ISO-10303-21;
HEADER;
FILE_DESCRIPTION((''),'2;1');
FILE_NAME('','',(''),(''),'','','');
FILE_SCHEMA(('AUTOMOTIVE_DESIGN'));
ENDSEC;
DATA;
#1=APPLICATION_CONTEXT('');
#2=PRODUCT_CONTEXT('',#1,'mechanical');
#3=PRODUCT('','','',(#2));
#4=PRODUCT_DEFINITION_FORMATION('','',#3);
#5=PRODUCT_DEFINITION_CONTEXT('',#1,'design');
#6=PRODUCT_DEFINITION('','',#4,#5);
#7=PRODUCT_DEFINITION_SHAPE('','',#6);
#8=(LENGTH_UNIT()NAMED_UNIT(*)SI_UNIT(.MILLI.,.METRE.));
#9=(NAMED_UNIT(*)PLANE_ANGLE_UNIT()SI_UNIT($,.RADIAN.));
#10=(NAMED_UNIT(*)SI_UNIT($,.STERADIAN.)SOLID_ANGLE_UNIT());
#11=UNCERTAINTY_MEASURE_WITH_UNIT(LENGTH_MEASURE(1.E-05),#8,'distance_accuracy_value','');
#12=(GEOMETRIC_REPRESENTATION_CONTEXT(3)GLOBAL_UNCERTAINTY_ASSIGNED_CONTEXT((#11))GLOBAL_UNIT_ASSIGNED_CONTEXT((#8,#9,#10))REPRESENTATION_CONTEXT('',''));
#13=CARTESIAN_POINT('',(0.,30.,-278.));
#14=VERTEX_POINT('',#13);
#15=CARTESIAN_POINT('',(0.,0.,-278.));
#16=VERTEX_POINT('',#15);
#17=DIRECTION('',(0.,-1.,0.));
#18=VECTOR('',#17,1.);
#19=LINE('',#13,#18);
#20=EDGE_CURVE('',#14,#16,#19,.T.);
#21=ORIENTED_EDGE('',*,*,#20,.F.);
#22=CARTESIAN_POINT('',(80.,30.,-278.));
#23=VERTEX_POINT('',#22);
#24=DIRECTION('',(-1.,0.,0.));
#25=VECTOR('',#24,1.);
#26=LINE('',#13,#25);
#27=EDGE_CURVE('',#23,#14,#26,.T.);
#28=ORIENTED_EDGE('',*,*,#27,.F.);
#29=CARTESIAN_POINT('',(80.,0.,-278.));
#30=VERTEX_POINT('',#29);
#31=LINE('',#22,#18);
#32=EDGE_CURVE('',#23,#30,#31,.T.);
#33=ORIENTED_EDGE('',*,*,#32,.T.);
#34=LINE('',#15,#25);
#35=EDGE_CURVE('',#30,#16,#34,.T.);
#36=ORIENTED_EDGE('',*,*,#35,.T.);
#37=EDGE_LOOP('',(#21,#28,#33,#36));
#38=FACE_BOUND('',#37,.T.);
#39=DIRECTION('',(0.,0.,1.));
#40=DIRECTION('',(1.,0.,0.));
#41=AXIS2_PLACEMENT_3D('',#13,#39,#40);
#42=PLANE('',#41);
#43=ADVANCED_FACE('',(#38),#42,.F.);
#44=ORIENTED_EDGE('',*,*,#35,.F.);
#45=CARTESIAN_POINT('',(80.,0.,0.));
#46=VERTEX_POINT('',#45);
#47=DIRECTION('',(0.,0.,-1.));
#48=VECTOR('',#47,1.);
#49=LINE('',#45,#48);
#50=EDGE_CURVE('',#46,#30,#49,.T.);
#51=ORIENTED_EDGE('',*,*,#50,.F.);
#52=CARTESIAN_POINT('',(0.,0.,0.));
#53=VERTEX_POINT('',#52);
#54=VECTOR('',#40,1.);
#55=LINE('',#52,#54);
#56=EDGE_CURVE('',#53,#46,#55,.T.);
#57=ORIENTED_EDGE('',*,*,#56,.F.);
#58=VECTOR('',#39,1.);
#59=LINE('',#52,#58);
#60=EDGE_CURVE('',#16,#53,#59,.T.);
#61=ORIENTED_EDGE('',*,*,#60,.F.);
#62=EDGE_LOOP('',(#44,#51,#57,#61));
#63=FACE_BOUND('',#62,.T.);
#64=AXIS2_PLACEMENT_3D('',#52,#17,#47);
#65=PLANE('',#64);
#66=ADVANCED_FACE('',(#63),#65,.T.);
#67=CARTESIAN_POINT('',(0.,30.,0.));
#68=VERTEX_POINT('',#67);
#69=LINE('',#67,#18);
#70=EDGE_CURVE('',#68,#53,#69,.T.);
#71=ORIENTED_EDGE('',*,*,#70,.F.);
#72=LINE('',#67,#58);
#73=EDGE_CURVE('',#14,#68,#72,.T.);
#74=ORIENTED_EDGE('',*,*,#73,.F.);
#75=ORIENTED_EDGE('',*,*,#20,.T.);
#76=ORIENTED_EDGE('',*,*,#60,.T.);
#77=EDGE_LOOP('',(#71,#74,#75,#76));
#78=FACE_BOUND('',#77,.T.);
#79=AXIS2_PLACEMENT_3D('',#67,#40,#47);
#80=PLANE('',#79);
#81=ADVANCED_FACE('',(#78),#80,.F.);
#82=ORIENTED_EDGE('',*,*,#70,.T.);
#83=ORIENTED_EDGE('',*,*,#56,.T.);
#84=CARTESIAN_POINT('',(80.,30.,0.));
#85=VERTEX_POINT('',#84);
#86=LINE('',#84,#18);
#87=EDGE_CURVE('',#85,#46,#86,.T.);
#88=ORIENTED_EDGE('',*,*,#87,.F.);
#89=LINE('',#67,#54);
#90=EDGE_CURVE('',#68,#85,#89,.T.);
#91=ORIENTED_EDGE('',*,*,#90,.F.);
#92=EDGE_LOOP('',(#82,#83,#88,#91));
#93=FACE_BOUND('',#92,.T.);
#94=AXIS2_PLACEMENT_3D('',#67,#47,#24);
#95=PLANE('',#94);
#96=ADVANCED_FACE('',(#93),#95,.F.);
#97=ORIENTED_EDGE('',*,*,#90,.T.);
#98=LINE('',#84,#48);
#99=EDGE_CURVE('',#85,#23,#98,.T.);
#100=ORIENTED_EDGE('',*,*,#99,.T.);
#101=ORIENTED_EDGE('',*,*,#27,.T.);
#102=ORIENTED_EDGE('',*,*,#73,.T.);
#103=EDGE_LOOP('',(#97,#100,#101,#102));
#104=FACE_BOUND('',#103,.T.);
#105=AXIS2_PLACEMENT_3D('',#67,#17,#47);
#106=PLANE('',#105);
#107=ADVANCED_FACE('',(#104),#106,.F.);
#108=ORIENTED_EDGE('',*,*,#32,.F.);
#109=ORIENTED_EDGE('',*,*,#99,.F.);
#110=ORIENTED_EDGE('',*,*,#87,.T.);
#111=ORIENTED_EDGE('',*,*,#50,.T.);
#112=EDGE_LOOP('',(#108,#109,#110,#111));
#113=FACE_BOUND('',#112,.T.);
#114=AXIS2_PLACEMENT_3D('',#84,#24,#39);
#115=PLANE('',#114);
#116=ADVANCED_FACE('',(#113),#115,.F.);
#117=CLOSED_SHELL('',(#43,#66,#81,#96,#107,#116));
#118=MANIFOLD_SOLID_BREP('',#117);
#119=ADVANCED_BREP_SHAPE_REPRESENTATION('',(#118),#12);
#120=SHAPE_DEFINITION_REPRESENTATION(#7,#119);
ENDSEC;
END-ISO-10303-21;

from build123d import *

# Parameters (mm, degrees)
SKETCH_1_W      = 80
SKETCH_1_H      = 278
EXTRUDE_1_DEPTH = 30


with BuildPart() as part:
    # Эскиз1 → Бобышка-Вытянуть1 (new body)
    with BuildSketch(Plane(origin=(0, 0, 0), x_dir=(1, 0, 0), z_dir=(0, 1, 0))):
        with Locations((40, 139)):
            Rectangle(SKETCH_1_W, SKETCH_1_H)
    extrude(amount=EXTRUDE_1_DEPTH)


solid = part.part
